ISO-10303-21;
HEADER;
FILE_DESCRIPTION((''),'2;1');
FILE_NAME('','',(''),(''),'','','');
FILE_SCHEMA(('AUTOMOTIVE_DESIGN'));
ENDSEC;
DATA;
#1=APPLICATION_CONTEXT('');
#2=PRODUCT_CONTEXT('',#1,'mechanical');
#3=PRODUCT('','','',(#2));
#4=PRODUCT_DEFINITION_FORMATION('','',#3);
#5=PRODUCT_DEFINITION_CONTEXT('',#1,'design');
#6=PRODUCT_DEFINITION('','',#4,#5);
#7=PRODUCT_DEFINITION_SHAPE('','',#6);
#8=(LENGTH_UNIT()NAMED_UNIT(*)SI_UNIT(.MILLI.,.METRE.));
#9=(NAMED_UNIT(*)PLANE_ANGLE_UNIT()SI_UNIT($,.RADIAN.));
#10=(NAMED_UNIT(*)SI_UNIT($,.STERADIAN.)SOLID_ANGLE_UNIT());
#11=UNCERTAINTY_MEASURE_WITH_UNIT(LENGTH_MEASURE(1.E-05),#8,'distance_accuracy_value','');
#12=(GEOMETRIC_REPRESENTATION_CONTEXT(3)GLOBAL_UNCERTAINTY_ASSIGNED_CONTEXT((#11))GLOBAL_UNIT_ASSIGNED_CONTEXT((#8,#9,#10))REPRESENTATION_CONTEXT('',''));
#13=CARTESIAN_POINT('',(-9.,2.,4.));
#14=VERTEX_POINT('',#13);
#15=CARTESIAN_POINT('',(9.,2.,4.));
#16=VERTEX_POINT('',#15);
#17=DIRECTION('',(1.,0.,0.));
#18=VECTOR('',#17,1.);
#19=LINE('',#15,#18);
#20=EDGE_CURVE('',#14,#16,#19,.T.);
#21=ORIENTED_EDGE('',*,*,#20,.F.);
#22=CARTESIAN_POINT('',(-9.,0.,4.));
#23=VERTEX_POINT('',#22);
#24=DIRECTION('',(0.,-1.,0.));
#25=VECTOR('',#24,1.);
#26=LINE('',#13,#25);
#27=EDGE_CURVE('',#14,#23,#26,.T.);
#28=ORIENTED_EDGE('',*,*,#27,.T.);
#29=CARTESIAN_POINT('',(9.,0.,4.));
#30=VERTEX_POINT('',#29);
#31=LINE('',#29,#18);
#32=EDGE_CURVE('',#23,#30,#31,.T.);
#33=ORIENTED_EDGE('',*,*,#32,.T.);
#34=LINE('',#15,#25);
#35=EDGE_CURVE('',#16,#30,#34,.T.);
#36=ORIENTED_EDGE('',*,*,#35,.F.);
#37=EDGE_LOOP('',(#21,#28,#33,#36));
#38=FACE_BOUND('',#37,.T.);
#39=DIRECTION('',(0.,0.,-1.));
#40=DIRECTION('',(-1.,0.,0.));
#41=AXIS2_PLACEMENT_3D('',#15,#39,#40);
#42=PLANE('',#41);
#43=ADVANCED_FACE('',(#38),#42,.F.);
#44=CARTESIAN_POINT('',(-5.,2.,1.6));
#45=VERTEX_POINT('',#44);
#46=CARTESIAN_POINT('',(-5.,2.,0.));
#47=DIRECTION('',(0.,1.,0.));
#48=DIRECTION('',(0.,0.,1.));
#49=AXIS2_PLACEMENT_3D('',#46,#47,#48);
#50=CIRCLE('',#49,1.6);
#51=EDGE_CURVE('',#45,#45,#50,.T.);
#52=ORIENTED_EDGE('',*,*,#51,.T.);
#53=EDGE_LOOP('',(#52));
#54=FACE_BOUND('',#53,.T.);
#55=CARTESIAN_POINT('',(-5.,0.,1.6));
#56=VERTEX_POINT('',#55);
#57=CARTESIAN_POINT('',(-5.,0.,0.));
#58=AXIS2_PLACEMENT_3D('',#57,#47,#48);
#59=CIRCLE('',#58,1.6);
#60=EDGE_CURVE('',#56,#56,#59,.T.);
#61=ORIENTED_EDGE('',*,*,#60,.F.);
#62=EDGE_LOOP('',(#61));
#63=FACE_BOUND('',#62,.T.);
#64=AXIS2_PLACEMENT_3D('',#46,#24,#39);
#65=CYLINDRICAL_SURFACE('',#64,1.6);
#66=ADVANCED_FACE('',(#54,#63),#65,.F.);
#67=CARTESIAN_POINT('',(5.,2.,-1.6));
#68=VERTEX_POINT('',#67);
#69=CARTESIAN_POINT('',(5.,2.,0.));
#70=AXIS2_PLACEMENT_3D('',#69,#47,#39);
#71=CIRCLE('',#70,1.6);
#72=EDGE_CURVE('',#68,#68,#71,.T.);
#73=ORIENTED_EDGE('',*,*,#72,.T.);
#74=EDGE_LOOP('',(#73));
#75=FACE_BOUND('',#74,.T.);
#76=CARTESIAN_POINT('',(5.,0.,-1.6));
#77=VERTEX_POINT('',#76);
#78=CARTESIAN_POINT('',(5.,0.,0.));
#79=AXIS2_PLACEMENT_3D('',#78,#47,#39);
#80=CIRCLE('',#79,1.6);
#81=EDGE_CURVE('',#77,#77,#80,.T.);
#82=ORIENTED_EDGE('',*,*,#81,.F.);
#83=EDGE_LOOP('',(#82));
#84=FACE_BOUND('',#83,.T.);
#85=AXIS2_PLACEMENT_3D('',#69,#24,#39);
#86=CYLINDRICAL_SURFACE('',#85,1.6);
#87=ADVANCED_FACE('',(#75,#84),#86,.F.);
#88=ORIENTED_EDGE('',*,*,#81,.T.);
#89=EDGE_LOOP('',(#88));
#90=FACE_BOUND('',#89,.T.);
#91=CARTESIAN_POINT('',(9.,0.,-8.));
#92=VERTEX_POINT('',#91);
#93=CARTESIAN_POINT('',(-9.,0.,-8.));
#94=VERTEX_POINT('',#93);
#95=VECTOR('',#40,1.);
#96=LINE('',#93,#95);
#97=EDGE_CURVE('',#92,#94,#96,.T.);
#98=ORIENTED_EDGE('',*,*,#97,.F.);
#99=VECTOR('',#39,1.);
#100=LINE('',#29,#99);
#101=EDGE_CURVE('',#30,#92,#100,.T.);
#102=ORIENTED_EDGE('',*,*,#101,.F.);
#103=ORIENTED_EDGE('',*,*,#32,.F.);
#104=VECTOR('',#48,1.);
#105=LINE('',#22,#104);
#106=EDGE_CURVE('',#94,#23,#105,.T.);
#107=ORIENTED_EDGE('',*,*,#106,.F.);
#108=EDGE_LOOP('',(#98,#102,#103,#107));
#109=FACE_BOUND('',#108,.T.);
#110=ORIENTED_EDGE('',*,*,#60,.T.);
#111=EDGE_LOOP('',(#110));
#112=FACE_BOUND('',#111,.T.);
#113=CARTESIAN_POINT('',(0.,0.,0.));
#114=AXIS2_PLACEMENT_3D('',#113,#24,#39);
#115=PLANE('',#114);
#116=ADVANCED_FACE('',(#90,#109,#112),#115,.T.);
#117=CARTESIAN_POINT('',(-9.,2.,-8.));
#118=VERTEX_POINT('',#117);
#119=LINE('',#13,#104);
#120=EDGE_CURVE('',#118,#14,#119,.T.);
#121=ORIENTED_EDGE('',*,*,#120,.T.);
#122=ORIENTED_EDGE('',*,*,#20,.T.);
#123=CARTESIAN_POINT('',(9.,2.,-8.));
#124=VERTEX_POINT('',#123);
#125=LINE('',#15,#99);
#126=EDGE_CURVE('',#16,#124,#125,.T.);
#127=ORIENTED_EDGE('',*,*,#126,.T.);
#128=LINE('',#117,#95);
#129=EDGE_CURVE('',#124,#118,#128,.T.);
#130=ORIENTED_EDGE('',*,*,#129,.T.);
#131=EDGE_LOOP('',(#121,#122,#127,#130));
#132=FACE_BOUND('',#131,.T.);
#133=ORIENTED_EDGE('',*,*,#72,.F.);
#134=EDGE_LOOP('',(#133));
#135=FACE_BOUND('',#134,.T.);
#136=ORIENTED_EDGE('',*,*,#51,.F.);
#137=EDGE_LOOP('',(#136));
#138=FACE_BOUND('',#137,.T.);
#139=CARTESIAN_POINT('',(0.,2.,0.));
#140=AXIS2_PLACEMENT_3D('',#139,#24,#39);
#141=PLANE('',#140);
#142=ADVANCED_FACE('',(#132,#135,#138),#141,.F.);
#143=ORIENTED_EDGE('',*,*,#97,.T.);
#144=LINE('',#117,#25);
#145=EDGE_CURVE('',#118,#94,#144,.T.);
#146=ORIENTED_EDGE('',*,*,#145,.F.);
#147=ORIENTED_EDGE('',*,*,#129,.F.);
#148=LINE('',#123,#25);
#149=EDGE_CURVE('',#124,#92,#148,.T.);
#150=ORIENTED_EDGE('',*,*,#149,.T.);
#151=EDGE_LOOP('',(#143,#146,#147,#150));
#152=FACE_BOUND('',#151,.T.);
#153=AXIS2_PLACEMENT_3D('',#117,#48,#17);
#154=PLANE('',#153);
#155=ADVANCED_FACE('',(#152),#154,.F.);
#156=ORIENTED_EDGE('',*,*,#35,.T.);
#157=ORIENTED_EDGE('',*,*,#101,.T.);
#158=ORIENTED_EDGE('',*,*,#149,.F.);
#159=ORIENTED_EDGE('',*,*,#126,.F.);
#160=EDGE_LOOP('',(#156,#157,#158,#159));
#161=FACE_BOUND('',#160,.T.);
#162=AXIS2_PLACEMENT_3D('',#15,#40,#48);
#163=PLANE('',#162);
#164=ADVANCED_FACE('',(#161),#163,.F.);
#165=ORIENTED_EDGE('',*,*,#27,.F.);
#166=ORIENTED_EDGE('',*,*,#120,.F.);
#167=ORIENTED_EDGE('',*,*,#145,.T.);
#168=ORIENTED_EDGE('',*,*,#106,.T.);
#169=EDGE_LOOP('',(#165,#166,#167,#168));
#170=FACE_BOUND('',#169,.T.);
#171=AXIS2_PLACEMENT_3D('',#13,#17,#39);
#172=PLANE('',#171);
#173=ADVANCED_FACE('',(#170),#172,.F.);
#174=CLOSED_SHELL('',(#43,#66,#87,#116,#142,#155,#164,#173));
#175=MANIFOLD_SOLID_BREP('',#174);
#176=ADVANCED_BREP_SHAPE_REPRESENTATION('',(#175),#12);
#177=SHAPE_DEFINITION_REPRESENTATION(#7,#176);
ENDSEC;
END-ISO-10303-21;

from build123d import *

# Parameters (mm, degrees)
SKETCH_1_W      = 18
SKETCH_1_H      = 12
SKETCH_1_R      = 1.6
EXTRUDE_1_DEPTH = 2


with BuildPart() as part:
    # 草图1 → 凸台-拉伸1 (new body)
    with BuildSketch(Plane(origin=(0, 0, 0), x_dir=(1, 0, 0), z_dir=(0, 1, 0))):
        with Locations((0, 2)):
            Rectangle(SKETCH_1_W, SKETCH_1_H)
        with Locations(Location((-5, 0, 0), (0, 0, 270))):
            Circle(SKETCH_1_R, mode=Mode.SUBTRACT)
        with Locations(Location((5, 0, 0), (0, 0, 90))):
            Circle(SKETCH_1_R, mode=Mode.SUBTRACT)
    extrude(amount=EXTRUDE_1_DEPTH)


solid = part.part
